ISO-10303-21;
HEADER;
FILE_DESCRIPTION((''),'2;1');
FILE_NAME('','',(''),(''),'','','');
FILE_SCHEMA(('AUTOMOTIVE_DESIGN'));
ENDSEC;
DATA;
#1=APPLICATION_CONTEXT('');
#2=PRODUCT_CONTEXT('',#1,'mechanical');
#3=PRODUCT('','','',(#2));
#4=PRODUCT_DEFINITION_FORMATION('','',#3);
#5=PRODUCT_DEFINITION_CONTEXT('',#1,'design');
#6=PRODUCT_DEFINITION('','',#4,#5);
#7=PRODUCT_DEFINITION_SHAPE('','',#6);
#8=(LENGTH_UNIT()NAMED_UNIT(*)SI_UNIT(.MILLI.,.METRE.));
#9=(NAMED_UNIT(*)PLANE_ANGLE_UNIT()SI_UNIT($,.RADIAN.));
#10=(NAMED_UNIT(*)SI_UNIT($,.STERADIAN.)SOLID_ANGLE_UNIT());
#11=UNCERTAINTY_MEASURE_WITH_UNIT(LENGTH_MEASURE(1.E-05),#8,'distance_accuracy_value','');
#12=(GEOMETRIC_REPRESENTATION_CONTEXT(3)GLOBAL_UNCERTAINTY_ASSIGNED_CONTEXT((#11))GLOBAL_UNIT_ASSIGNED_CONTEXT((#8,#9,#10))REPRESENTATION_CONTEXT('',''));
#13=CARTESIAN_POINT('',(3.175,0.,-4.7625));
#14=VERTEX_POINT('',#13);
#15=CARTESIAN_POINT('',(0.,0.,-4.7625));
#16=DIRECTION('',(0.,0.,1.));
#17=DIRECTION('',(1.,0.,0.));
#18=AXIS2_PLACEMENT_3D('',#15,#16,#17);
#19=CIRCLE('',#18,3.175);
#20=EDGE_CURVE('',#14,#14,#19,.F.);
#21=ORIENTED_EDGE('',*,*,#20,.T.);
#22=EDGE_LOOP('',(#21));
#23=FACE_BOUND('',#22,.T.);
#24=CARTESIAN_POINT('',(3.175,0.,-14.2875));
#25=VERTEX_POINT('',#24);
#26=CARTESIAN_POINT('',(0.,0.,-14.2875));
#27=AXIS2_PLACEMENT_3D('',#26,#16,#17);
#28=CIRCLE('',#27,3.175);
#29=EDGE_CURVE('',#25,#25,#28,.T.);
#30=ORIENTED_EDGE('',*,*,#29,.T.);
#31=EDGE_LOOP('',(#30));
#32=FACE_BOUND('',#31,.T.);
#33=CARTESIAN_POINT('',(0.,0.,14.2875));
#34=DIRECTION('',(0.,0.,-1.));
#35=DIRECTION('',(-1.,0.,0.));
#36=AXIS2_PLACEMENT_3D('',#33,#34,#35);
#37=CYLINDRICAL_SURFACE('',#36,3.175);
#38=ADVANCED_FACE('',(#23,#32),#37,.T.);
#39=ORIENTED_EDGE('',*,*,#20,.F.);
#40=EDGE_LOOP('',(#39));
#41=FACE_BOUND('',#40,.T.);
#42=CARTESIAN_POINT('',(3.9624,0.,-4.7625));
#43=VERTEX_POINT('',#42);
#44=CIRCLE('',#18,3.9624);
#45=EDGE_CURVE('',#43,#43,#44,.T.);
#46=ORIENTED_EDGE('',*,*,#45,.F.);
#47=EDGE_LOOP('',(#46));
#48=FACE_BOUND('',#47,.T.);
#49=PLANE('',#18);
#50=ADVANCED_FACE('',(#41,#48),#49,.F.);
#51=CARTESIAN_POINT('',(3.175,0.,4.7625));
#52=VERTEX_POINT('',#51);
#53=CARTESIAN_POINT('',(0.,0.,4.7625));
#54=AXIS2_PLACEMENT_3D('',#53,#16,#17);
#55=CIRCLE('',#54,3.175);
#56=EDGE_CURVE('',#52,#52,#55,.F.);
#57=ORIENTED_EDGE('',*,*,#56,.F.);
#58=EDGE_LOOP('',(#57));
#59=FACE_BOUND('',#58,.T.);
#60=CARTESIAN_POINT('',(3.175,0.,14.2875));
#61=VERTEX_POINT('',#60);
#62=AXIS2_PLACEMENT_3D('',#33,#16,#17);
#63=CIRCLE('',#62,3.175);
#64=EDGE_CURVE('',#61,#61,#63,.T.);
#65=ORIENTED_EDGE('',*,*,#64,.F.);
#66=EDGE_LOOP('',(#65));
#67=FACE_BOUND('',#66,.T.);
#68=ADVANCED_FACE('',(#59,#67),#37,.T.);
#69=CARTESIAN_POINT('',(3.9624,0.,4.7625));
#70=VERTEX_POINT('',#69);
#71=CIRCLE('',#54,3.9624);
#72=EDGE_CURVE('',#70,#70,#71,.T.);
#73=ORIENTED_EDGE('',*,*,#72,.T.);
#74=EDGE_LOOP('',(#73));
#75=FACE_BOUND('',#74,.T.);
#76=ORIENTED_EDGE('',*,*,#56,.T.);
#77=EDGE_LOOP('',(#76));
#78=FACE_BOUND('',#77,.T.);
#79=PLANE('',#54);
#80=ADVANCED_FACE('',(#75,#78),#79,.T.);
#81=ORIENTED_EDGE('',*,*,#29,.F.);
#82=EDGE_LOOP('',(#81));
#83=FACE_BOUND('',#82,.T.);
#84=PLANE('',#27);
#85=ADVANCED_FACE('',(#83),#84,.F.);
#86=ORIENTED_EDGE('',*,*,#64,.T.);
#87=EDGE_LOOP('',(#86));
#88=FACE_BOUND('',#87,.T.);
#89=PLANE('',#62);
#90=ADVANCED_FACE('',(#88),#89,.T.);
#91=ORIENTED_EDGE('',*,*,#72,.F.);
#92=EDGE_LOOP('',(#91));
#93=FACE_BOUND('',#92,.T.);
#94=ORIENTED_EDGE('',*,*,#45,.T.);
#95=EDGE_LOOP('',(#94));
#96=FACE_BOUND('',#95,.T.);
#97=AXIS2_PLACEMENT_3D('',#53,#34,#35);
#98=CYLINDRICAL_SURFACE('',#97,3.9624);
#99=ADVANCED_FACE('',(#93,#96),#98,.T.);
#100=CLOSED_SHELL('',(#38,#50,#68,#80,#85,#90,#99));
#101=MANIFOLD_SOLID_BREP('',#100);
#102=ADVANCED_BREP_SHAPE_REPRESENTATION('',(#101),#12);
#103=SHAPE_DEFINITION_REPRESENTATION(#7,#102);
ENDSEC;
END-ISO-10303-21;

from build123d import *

# Parameters (mm, degrees)
SKETCH1_R           = 3.9624
BOSS_EXTRUDE1_DEPTH = 4.7625
SKETCH2_R           = 3.175
BOSS_EXTRUDE2_DEPTH = 14.2875


with BuildPart() as part:
    # Sketch1 → Boss-Extrude1 (new body, symmetric)
    with BuildSketch(Plane.XY):
        Circle(SKETCH1_R)
    extrude(amount=BOSS_EXTRUDE1_DEPTH, both=True)

    # Sketch2 → Boss-Extrude2 (add, symmetric)
    with BuildSketch(Plane.XY):
        Circle(SKETCH2_R)
    extrude(amount=BOSS_EXTRUDE2_DEPTH, both=True)


solid = part.part
